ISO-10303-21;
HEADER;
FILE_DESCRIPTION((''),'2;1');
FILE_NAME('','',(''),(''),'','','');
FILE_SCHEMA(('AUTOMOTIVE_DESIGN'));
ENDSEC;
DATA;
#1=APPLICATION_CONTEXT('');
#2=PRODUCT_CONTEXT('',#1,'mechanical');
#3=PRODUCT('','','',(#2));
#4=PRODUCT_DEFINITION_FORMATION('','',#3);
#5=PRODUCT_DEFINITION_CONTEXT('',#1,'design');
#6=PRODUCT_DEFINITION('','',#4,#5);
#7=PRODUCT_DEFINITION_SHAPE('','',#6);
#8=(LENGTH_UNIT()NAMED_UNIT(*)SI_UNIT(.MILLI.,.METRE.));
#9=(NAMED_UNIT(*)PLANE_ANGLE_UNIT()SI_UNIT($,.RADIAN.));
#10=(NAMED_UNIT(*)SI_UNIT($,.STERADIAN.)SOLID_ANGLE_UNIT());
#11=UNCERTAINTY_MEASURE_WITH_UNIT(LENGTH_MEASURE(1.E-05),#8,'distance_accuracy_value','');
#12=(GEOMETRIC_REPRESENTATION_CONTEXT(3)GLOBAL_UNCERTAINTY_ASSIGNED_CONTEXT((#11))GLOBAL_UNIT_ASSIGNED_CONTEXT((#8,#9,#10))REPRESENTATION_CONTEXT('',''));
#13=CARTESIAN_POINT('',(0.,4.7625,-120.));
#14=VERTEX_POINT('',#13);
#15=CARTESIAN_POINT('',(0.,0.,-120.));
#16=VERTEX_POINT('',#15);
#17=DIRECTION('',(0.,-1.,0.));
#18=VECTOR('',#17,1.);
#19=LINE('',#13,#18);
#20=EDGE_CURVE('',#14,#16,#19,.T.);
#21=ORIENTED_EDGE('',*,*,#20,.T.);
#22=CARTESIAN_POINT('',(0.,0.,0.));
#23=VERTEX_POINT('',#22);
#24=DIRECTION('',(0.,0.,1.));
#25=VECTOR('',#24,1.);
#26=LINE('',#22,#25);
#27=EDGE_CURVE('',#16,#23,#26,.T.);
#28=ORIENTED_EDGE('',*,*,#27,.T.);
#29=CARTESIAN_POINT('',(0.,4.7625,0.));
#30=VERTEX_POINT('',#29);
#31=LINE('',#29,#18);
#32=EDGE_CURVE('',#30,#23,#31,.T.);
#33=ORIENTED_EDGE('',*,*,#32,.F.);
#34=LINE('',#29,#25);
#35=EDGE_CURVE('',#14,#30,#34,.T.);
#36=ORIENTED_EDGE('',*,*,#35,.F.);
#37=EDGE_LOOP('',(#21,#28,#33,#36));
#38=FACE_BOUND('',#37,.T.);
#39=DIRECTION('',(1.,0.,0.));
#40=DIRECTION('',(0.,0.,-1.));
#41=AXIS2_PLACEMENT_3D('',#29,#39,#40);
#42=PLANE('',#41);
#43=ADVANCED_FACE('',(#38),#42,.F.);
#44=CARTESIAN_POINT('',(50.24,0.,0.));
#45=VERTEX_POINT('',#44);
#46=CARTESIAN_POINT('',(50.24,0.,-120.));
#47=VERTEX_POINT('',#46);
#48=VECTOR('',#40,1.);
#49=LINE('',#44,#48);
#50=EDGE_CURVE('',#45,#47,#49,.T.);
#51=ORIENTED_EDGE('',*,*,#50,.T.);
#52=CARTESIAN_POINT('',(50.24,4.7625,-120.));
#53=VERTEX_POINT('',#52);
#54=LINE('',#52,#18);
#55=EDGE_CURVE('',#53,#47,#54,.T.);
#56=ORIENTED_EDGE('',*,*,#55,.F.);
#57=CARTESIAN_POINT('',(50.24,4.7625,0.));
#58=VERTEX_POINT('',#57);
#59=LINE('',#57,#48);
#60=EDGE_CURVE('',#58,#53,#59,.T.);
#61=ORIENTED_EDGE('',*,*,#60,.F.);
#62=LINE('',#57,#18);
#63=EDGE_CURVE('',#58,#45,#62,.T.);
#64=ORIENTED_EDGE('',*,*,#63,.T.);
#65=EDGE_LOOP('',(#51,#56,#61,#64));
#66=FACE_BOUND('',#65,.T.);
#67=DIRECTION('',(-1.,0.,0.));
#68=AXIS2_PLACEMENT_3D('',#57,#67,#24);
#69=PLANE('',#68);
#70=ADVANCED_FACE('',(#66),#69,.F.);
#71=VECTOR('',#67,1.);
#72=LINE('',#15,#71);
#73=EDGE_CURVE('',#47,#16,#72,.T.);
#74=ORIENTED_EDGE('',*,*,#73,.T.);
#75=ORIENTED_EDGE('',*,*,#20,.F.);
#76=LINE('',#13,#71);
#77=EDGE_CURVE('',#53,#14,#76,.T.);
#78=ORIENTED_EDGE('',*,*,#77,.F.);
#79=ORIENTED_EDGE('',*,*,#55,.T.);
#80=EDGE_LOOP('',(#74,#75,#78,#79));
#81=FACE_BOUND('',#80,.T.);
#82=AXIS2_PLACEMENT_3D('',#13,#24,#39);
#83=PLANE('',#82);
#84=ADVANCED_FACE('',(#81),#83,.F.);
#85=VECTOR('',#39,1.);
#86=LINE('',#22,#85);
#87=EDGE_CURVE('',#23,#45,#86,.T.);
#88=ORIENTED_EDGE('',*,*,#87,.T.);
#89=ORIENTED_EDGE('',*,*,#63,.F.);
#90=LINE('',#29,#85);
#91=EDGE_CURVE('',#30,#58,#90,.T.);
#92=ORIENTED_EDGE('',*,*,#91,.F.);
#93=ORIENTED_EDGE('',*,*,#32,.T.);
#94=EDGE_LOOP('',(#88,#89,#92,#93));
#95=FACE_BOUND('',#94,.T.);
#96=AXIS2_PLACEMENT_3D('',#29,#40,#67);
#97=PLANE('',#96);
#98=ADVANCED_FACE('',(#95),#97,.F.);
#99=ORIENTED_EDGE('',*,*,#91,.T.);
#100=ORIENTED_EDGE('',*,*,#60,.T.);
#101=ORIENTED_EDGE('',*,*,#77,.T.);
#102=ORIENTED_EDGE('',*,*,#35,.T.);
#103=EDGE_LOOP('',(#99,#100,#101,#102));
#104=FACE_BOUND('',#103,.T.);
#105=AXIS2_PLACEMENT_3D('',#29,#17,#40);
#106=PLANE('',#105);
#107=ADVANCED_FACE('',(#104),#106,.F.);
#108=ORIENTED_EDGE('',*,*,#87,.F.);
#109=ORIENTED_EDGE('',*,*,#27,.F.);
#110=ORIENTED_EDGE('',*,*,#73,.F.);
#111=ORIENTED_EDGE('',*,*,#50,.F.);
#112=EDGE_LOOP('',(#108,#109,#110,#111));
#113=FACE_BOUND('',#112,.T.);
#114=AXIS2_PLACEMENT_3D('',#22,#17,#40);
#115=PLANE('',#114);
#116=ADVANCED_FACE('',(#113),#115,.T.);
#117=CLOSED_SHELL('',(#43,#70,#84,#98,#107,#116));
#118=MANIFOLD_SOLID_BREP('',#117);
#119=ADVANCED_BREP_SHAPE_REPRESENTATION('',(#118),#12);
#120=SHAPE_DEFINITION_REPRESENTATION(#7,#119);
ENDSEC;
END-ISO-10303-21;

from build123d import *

# Parameters (mm, degrees)
SKETCH1_W           = 50.24
SKETCH1_H           = 120
BOSS_EXTRUDE1_DEPTH = 4.7625


with BuildPart() as part:
    # Sketch1 → Boss-Extrude1 (new body)
    with BuildSketch(Plane(origin=(0, 0, 0), x_dir=(1, 0, 0), z_dir=(0, 1, 0))):
        with Locations((25.12, 60)):
            Rectangle(SKETCH1_W, SKETCH1_H)
    extrude(amount=BOSS_EXTRUDE1_DEPTH)


solid = part.part
